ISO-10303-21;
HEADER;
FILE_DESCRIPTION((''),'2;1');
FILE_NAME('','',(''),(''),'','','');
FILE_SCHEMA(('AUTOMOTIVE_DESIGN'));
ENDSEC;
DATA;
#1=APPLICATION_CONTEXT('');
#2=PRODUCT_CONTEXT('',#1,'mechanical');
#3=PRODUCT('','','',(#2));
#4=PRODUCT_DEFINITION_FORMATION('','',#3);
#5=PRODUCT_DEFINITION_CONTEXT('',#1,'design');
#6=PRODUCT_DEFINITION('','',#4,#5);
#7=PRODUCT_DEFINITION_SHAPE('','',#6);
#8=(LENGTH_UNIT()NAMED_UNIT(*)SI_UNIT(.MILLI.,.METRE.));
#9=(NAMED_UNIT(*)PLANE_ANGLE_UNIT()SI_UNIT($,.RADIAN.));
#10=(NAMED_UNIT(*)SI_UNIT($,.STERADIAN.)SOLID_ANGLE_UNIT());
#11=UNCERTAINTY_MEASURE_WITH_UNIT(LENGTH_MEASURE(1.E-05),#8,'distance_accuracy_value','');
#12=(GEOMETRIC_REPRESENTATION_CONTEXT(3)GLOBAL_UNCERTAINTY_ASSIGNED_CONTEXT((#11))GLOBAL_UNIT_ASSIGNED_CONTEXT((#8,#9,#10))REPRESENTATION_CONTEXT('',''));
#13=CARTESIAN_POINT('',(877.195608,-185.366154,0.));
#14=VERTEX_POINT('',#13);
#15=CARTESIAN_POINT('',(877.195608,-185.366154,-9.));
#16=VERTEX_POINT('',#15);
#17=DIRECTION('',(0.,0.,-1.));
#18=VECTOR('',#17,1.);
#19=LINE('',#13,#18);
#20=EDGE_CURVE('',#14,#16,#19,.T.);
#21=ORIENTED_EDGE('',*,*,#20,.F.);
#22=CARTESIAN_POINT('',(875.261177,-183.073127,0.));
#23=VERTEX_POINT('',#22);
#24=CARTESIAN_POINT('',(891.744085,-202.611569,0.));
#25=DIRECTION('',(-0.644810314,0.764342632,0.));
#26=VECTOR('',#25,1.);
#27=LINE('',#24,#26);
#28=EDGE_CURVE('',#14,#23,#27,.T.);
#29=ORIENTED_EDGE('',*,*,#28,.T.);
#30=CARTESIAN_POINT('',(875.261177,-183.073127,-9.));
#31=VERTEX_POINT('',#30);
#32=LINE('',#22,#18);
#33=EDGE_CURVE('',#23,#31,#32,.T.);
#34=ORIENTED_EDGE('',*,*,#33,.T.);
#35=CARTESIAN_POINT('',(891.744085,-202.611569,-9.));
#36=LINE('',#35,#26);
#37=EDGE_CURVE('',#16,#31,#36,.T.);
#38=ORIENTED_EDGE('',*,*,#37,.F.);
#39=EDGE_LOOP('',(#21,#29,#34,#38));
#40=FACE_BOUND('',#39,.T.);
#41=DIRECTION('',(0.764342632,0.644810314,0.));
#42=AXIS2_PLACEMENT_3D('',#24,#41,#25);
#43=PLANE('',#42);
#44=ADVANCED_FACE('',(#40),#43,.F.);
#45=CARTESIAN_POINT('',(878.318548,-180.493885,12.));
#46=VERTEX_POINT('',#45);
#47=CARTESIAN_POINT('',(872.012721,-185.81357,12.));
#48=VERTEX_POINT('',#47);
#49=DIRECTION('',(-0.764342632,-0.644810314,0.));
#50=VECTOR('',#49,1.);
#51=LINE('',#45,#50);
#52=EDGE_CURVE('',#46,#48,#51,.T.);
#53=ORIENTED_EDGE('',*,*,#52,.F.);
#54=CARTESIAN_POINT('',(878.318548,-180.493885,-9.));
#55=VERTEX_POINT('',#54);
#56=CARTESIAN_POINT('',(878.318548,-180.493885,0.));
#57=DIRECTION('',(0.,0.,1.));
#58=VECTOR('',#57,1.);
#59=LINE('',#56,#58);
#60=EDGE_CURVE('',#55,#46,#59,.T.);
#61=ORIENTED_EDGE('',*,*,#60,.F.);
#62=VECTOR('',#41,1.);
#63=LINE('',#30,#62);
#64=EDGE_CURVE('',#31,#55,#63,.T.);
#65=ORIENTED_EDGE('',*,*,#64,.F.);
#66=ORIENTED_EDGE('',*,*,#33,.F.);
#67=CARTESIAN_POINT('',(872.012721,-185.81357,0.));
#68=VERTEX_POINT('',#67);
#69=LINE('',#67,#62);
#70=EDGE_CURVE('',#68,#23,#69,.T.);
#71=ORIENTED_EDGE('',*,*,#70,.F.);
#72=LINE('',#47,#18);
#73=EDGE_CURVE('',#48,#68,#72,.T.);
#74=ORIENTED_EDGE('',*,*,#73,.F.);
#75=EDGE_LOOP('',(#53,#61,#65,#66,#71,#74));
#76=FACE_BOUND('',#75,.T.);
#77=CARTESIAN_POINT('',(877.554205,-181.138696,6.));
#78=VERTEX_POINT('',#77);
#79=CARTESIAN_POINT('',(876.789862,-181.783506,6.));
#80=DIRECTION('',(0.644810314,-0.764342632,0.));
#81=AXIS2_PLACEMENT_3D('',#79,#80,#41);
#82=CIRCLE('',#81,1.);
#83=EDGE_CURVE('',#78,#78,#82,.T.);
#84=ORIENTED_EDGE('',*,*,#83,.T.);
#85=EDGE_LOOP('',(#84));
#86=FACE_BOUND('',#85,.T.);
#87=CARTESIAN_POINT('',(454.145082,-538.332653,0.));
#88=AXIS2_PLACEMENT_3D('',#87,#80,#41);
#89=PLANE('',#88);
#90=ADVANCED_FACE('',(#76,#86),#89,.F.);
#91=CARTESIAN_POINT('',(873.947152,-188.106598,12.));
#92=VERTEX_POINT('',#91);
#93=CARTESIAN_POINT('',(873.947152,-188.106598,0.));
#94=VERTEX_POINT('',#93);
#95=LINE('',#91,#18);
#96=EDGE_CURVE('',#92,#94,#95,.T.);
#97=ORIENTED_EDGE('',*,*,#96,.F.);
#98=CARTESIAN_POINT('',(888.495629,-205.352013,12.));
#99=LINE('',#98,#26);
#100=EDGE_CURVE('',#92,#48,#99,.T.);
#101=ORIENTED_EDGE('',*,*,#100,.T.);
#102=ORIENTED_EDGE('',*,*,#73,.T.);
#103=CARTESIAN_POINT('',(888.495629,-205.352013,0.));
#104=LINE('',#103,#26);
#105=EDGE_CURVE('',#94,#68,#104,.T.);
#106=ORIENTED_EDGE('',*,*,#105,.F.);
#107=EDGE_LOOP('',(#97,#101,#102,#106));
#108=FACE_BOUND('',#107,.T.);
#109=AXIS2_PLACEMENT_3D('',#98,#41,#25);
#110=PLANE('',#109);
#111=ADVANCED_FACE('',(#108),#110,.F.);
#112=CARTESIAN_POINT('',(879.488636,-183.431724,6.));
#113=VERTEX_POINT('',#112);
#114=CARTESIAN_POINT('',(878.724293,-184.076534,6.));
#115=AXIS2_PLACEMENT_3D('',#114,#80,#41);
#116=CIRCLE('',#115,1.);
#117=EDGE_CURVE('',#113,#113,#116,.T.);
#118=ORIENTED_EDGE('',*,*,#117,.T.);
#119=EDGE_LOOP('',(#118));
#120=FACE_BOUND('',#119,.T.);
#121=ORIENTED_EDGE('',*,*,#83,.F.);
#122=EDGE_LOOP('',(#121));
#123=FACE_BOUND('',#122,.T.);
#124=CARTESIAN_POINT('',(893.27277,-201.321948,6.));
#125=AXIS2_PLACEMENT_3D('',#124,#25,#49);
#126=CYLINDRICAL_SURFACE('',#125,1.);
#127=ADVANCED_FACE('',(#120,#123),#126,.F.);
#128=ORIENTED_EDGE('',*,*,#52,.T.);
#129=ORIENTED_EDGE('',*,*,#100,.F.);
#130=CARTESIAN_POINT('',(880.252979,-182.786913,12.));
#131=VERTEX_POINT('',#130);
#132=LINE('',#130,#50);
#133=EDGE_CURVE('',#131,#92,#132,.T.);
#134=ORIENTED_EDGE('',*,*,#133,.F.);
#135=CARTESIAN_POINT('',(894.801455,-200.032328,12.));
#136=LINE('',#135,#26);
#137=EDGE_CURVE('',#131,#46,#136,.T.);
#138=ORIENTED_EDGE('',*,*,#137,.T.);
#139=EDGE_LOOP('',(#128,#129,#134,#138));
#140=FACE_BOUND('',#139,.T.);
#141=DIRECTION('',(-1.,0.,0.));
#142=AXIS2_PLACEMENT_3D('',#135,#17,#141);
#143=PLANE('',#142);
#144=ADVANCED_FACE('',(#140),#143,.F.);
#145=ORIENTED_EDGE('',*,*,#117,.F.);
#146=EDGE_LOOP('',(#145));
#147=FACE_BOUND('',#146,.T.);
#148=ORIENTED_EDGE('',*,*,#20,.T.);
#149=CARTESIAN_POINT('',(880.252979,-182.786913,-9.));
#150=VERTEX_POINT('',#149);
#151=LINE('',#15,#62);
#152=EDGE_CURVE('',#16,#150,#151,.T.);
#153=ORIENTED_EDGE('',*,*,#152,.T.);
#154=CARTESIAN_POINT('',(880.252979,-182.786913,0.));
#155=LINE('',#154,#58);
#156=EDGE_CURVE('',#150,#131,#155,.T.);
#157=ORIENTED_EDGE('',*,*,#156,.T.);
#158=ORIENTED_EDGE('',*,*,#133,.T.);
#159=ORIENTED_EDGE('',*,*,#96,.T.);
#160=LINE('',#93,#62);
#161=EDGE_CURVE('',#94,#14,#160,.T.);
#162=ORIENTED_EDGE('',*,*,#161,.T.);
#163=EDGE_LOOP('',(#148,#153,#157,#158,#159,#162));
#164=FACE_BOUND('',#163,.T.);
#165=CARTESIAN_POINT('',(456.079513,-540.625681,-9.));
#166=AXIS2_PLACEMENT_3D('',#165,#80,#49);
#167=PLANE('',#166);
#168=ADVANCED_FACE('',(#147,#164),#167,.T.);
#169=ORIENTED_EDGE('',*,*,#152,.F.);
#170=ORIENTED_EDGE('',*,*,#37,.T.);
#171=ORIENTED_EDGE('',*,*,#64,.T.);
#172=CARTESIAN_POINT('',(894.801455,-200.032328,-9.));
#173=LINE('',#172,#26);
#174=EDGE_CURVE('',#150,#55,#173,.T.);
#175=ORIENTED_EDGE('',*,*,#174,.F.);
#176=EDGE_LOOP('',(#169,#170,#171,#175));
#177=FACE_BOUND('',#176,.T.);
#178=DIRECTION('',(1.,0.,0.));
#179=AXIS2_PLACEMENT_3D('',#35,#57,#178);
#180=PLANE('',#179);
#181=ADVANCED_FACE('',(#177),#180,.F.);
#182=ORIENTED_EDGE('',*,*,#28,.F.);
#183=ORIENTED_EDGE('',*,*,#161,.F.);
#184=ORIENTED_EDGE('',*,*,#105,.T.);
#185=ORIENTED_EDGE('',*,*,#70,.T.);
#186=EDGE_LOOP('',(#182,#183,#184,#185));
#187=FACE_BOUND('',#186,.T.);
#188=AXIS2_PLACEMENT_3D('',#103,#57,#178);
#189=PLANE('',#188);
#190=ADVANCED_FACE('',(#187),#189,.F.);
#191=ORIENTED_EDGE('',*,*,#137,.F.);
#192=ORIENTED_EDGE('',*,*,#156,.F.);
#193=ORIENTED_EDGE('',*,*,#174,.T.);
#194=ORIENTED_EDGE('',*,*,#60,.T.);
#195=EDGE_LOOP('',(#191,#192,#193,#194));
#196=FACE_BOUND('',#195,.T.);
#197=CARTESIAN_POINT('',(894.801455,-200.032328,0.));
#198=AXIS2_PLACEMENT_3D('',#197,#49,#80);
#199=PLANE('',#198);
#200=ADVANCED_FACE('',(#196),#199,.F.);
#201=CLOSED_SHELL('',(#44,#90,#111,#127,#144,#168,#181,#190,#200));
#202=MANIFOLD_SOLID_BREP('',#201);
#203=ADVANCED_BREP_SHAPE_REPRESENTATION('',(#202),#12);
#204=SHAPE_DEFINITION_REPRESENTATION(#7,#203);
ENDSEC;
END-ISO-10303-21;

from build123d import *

# Parameters (mm, degrees)
SKETCH4_R           = 1
BOSS_EXTRUDE1_DEPTH = 3


with BuildPart() as part:
    # Sketch4 → Boss-Extrude1 (new body)
    with BuildSketch(Plane(origin=(454.145082272, -538.33265317, 0), x_dir=(0.7643426316132825, 0.6448103143549132, 0), z_dir=(0.6448103143549132, -0.7643426316132826, 0))):
        Polygon((554.951991089, 0), (554.951991089, 12), (546.701991089, 12), (546.701991089, 0), (550.951991089, 0), (550.951991089, -9), (554.951991089, -9), align=None)
        with Locations((552.951991089, 6)):
            Circle(SKETCH4_R, mode=Mode.SUBTRACT)
    extrude(amount=BOSS_EXTRUDE1_DEPTH)


solid = part.part
